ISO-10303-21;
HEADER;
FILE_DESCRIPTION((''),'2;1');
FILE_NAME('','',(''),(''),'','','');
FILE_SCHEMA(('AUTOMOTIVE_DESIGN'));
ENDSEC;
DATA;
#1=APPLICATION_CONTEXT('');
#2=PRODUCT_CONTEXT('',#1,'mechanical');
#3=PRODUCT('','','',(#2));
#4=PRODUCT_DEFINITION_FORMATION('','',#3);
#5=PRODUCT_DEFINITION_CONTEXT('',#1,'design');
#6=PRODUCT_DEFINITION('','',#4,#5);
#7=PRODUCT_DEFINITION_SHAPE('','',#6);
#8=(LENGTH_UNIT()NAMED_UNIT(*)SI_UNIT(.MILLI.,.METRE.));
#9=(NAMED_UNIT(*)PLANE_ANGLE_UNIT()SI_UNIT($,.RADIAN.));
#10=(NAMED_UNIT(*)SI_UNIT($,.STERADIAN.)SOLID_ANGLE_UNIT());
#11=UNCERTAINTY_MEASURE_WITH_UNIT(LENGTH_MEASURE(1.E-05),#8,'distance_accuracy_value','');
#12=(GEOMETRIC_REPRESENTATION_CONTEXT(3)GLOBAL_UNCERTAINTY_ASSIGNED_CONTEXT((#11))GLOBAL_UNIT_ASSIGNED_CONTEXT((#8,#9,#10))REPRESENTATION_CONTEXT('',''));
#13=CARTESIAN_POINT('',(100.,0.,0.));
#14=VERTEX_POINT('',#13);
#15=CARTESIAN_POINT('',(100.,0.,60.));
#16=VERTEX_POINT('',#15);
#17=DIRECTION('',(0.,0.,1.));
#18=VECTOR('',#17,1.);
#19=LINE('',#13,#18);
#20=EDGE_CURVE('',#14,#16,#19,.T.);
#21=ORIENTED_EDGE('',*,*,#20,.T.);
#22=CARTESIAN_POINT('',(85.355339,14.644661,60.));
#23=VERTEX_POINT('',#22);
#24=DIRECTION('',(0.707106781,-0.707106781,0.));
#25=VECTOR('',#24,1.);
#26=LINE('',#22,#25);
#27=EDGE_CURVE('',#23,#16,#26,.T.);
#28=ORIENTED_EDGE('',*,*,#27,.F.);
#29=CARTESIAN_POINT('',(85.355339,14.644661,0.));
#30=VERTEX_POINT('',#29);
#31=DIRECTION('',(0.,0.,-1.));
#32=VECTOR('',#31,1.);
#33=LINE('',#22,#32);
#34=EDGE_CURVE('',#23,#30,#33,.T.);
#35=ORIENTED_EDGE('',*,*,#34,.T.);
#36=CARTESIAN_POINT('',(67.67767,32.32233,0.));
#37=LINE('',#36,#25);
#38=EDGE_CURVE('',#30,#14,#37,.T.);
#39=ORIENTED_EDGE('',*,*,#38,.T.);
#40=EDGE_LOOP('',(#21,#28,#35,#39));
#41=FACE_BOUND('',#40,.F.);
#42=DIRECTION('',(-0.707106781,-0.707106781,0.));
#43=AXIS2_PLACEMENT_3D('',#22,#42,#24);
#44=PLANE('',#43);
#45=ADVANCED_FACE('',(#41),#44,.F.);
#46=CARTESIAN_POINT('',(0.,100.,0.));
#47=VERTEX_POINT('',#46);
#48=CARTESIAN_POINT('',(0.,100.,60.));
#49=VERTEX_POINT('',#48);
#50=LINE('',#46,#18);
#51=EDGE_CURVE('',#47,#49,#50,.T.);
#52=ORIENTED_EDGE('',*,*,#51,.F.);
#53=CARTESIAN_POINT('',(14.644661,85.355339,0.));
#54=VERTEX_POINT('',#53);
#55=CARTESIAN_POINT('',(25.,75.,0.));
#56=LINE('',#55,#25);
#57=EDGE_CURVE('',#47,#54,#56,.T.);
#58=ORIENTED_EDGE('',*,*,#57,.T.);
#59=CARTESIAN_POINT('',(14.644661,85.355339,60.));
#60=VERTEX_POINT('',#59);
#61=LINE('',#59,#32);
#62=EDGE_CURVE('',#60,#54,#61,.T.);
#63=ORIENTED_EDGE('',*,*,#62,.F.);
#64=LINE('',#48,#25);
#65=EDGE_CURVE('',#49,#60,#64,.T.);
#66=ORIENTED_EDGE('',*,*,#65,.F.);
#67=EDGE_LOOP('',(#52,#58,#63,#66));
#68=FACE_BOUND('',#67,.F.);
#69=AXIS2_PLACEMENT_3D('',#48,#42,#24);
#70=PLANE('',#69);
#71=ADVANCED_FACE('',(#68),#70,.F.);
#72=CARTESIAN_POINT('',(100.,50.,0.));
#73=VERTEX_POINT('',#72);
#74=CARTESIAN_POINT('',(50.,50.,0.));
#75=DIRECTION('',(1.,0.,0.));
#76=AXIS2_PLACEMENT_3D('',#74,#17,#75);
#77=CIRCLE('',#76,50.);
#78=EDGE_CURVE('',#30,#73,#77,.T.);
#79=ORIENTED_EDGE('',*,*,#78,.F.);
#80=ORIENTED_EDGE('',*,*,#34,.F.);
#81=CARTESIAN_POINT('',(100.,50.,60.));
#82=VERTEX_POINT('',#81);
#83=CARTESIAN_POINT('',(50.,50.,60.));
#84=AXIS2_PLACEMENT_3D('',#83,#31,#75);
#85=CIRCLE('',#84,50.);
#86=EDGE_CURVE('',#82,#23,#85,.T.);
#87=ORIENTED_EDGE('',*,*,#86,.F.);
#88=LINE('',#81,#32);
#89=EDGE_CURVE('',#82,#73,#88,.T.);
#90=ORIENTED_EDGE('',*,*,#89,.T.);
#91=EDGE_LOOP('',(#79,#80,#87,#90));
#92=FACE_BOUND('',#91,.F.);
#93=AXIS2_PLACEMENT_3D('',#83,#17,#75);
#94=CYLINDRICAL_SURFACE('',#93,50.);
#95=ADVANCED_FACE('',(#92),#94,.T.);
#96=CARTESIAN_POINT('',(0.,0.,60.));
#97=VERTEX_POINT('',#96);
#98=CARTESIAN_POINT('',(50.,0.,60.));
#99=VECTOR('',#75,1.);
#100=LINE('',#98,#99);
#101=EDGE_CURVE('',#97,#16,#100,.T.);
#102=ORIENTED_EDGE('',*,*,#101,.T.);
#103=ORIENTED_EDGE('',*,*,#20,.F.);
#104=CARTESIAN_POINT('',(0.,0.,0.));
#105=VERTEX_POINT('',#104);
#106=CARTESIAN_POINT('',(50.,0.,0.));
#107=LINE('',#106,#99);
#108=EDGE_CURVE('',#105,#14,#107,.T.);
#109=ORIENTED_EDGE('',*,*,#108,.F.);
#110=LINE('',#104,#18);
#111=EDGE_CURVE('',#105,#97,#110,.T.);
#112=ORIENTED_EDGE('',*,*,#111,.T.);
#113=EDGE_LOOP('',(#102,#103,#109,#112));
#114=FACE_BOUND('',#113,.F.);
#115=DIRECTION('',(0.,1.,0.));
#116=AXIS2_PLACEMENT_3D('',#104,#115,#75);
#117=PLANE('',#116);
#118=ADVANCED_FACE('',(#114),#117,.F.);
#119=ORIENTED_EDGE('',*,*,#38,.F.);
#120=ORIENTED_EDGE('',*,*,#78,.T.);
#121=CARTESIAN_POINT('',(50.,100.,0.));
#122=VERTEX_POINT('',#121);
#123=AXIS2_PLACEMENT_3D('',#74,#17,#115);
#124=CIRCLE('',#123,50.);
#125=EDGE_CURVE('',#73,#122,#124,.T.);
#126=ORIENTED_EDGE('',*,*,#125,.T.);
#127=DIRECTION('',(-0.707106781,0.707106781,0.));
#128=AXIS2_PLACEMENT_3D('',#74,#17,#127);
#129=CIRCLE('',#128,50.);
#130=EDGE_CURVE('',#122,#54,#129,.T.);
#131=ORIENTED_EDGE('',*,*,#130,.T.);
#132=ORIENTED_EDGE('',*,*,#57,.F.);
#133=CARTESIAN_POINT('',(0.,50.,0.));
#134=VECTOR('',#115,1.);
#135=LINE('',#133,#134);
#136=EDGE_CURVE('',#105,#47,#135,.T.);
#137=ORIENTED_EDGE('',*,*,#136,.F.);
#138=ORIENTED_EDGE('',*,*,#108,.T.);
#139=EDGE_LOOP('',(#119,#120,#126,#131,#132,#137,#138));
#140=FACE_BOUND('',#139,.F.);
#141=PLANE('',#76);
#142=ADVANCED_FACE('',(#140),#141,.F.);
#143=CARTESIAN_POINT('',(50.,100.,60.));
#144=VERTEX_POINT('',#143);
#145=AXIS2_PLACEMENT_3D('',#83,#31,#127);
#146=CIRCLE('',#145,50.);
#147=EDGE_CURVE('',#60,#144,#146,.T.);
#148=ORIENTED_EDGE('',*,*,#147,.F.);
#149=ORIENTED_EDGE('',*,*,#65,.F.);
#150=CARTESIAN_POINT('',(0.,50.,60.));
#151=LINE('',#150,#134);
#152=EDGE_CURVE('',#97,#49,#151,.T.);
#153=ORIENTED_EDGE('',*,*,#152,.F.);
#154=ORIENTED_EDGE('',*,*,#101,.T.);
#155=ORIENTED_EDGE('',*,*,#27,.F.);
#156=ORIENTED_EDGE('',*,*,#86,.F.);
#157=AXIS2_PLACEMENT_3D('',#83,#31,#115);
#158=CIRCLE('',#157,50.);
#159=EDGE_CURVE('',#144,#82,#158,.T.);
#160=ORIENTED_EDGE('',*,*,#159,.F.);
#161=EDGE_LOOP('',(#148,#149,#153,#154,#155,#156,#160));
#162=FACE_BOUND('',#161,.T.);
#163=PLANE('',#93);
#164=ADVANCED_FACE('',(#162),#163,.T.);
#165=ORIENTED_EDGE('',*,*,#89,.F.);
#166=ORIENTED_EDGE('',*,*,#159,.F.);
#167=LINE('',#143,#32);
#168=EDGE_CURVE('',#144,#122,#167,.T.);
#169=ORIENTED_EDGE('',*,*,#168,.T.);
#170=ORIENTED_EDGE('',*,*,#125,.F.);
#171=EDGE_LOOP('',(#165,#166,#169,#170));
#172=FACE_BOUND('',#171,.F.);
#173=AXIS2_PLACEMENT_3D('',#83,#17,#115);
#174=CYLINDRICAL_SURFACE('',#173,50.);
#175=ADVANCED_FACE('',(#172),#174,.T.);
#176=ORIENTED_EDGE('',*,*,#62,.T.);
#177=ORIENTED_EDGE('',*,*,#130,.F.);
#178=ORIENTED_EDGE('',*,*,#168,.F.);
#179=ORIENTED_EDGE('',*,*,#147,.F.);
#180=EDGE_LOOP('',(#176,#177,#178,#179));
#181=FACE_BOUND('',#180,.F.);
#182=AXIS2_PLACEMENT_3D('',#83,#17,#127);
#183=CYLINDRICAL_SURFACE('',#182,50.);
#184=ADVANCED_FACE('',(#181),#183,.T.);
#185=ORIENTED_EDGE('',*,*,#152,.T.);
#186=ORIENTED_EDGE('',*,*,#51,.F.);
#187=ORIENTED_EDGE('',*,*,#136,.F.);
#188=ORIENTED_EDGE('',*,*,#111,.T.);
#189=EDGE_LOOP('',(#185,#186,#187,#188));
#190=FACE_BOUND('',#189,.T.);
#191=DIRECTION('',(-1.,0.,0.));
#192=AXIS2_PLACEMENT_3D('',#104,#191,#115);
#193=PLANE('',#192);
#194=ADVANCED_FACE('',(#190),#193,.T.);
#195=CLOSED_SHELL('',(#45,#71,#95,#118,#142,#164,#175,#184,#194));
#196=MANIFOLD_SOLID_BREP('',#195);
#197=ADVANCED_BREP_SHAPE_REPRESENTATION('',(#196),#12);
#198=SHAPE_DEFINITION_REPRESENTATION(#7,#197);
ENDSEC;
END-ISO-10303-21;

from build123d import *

# Parameters (mm, degrees)
F0_W     = 100
F0_H     = 100
F1_DEPTH = 60
F4_DEPTH = 60.001


with BuildPart() as f1:
    # F0 (on Top) → F1 (new body)
    with BuildSketch(Plane.XY):
        with Locations((50, 50)):
            Rectangle(F0_W, F0_H)
    extrude(amount=F1_DEPTH)

    # F3 (on face) → F4 (cut, through all)
    with BuildSketch(Plane.XY.offset(60)):
        with BuildLine():
            ThreePointArc((50, 100), (85.3553390593, 85.3553390593), (100, 50))
            Line((100, 50), (100, 100))
            Line((100, 100), (50, 100))
        make_face()
        with BuildLine():
            Line((100, 0), (100, 50))
            ThreePointArc((100, 50), (96.1939766256, 30.8658283817), (85.3553390593, 14.6446609407))
            Line((85.3553390593, 14.6446609407), (100, 0))
        make_face()
        with BuildLine():
            ThreePointArc((14.6446609407, 85.3553390593), (30.8658283817, 96.1939766256), (50, 100))
            Line((50, 100), (0, 100))
            Line((0, 100), (14.6446609407, 85.3553390593))
        make_face()
    extrude(amount=-F4_DEPTH, mode=Mode.SUBTRACT)


solid = f1.part
